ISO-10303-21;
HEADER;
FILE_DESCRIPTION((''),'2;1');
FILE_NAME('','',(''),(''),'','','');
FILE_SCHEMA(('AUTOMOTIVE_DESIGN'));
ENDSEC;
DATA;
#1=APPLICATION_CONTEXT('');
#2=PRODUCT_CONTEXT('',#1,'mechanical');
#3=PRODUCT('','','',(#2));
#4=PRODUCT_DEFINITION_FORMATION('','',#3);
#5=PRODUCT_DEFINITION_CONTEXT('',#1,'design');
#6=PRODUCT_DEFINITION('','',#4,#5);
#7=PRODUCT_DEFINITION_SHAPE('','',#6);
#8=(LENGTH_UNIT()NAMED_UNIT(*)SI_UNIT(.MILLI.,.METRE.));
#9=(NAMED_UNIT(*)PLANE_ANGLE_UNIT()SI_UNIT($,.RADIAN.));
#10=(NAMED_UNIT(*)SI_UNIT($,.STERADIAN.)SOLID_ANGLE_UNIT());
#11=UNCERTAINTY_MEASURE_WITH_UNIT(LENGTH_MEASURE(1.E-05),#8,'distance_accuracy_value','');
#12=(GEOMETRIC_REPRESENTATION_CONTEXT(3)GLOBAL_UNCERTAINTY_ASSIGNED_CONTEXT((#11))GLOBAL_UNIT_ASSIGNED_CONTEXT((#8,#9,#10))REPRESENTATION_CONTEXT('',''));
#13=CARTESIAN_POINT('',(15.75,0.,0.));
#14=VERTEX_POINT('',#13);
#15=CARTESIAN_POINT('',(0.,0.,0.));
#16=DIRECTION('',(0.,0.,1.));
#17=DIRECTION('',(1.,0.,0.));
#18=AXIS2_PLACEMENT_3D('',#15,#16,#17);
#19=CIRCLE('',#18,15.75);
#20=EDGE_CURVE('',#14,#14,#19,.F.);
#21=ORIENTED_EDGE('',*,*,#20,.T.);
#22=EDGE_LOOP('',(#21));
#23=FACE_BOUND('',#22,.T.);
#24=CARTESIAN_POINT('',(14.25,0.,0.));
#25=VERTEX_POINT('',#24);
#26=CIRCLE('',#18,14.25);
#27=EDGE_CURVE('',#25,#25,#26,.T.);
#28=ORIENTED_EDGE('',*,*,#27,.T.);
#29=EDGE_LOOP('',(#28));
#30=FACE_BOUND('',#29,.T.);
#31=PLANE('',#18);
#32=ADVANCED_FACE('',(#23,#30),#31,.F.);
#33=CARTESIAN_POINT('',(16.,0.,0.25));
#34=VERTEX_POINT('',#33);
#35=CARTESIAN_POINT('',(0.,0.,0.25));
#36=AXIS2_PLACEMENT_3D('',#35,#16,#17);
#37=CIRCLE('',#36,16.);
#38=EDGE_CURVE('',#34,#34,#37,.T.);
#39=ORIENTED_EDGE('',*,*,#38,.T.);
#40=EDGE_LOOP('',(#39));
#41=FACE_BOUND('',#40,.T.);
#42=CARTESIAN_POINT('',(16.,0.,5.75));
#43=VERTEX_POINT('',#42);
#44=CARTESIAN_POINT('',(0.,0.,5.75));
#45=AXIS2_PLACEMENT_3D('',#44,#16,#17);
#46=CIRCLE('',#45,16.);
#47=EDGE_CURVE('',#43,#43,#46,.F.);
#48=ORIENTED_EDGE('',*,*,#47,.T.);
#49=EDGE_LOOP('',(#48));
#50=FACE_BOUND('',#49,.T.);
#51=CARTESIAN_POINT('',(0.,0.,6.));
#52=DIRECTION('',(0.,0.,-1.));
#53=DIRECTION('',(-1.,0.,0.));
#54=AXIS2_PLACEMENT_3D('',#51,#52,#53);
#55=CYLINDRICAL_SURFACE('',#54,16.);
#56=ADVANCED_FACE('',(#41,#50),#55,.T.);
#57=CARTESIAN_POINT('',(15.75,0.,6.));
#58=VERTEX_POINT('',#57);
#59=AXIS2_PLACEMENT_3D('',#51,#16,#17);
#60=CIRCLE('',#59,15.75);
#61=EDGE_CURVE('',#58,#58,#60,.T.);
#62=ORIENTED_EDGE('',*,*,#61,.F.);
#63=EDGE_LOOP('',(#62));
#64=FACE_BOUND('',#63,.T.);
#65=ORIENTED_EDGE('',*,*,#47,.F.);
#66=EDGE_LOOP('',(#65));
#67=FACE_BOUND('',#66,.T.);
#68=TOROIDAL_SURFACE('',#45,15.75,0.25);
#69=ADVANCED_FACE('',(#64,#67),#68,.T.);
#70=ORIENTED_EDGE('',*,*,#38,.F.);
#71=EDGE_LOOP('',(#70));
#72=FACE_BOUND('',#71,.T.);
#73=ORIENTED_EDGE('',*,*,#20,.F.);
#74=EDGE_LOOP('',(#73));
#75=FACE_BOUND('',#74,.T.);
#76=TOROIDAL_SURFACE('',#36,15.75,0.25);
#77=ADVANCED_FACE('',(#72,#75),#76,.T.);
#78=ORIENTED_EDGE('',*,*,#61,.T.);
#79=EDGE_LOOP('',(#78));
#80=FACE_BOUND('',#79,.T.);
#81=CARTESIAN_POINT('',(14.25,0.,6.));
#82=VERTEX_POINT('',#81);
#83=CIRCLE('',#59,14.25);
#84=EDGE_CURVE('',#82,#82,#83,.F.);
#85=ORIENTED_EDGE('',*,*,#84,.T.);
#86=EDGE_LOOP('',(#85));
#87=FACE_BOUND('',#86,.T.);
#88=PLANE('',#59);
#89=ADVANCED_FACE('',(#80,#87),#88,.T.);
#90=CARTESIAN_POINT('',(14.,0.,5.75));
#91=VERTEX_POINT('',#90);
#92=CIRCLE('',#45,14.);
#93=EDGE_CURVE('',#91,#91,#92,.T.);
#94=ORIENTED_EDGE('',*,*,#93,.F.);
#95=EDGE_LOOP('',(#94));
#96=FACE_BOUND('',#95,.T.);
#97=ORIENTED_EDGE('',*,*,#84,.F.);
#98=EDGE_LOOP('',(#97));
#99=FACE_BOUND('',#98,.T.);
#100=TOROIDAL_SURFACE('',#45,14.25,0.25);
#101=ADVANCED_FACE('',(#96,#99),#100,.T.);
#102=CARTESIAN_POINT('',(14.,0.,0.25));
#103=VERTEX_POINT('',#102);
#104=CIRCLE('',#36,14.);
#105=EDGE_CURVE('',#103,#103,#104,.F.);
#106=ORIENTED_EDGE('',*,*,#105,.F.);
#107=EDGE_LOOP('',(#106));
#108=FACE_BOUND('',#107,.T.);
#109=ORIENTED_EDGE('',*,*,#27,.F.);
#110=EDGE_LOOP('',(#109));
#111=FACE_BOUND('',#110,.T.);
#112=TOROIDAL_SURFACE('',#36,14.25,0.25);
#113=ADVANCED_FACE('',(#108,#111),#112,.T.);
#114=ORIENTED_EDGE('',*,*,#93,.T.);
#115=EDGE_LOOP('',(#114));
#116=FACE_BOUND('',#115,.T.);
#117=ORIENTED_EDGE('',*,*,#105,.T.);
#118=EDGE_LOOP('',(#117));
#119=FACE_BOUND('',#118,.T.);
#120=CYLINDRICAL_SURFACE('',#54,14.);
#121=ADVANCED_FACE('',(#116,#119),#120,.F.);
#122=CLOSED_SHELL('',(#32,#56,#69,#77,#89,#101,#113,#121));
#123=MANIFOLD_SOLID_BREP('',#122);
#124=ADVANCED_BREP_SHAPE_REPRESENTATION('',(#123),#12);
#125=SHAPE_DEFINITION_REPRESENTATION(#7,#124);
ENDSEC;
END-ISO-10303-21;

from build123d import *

# Parameters (mm, degrees)
SKETCH1_R           = 16
SKETCH1_R_2         = 14
EXTRUDE_THIN1_DEPTH = 6
FILLET1_R           = 0.25


with BuildPart() as part:
    # Sketch1 → Extrude-Thin1 (new body)
    with BuildSketch(Plane.XY):
        Circle(SKETCH1_R)
        Circle(SKETCH1_R_2, mode=Mode.SUBTRACT)
    extrude(amount=EXTRUDE_THIN1_DEPTH)

    # Fillet1
    fillet1_edges = [part.edges().sort_by_distance(p)[0] for p in [
        (-16, 0, 0),
        (-14, 0, 0),
        (-16, 0, 6),
        (-14, 0, 6),
    ]]
    fillet(fillet1_edges, radius=FILLET1_R)


solid = part.part
